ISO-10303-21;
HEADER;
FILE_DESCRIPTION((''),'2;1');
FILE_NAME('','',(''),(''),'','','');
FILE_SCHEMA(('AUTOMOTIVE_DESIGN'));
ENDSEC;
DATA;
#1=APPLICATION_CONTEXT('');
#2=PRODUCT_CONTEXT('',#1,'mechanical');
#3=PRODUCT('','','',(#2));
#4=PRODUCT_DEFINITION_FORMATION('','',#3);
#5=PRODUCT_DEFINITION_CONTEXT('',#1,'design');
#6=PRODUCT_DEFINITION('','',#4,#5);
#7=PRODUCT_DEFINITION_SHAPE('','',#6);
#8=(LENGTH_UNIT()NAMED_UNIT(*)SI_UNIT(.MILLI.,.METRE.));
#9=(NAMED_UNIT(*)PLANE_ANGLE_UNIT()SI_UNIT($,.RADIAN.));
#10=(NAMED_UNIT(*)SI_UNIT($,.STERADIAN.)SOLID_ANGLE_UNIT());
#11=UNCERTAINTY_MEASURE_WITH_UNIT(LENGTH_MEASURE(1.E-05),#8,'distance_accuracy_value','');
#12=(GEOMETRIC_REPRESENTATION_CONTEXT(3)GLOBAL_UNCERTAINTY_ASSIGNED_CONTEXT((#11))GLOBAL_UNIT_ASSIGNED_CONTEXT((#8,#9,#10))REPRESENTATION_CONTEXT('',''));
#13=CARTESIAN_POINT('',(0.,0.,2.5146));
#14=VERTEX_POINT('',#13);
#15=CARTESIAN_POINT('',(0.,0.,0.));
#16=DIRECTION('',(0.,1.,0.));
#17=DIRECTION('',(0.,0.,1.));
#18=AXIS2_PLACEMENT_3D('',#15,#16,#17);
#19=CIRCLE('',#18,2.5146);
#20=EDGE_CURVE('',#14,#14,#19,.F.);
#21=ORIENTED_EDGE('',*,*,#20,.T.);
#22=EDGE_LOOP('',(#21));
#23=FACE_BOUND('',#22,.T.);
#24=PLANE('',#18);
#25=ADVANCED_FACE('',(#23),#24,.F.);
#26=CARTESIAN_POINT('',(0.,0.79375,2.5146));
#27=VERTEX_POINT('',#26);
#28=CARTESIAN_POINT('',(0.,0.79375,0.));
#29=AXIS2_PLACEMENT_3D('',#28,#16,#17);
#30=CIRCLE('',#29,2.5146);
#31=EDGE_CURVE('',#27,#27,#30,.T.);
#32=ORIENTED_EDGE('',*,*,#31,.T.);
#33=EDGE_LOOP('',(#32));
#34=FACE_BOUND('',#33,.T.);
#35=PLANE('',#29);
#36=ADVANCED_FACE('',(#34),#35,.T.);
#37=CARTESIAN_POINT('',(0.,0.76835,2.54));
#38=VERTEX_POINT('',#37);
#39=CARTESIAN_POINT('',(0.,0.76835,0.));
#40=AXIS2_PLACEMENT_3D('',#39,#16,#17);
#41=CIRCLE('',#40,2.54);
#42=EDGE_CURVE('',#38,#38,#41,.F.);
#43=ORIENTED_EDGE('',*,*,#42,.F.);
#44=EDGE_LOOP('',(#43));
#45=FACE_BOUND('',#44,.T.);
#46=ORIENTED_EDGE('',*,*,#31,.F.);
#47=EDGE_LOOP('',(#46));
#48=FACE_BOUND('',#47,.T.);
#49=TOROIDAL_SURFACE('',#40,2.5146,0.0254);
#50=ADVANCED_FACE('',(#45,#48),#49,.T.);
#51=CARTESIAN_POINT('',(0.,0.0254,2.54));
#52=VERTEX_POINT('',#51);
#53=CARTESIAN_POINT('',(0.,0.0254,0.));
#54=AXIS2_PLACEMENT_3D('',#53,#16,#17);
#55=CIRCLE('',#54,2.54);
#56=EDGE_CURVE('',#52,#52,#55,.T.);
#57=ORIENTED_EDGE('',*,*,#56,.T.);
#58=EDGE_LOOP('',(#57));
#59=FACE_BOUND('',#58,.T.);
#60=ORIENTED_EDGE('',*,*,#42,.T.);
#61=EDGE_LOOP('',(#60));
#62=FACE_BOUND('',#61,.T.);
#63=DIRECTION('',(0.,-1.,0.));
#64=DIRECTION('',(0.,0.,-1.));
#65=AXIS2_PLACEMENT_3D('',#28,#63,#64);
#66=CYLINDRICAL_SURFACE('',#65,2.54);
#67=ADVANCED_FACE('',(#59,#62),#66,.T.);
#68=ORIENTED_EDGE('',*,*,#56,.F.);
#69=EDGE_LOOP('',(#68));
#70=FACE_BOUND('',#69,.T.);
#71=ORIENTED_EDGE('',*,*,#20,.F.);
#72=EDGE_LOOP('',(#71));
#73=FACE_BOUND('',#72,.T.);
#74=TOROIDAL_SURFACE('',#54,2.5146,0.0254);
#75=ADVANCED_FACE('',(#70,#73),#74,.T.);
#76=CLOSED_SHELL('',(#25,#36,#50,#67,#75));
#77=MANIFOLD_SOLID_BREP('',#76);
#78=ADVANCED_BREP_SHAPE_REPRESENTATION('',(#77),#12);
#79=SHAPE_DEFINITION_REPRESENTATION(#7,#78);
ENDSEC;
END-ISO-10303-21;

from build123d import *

# Parameters (mm, degrees)
SKETCH1_R     = 2.54
MAGNET_DEPTH  = 0.79375
EDGE_FILLET_R = 0.0254


with BuildPart() as part:
    # Sketch1 → magnet (new body)
    with BuildSketch(Plane(origin=(0, 0, 0), x_dir=(1, 0, 0), z_dir=(0, 1, 0))):
        with Locations(Location((0, 0, 0), (0, 0, 270))):
            Circle(SKETCH1_R)
    extrude(amount=MAGNET_DEPTH)

    # edge_fillet
    edge_fillet_edges = [part.edges().sort_by_distance(p)[0] for p in [
        (0, 0, -2.54),
        (0, 0.79375, -2.54),
    ]]
    fillet(edge_fillet_edges, radius=EDGE_FILLET_R)


solid = part.part
